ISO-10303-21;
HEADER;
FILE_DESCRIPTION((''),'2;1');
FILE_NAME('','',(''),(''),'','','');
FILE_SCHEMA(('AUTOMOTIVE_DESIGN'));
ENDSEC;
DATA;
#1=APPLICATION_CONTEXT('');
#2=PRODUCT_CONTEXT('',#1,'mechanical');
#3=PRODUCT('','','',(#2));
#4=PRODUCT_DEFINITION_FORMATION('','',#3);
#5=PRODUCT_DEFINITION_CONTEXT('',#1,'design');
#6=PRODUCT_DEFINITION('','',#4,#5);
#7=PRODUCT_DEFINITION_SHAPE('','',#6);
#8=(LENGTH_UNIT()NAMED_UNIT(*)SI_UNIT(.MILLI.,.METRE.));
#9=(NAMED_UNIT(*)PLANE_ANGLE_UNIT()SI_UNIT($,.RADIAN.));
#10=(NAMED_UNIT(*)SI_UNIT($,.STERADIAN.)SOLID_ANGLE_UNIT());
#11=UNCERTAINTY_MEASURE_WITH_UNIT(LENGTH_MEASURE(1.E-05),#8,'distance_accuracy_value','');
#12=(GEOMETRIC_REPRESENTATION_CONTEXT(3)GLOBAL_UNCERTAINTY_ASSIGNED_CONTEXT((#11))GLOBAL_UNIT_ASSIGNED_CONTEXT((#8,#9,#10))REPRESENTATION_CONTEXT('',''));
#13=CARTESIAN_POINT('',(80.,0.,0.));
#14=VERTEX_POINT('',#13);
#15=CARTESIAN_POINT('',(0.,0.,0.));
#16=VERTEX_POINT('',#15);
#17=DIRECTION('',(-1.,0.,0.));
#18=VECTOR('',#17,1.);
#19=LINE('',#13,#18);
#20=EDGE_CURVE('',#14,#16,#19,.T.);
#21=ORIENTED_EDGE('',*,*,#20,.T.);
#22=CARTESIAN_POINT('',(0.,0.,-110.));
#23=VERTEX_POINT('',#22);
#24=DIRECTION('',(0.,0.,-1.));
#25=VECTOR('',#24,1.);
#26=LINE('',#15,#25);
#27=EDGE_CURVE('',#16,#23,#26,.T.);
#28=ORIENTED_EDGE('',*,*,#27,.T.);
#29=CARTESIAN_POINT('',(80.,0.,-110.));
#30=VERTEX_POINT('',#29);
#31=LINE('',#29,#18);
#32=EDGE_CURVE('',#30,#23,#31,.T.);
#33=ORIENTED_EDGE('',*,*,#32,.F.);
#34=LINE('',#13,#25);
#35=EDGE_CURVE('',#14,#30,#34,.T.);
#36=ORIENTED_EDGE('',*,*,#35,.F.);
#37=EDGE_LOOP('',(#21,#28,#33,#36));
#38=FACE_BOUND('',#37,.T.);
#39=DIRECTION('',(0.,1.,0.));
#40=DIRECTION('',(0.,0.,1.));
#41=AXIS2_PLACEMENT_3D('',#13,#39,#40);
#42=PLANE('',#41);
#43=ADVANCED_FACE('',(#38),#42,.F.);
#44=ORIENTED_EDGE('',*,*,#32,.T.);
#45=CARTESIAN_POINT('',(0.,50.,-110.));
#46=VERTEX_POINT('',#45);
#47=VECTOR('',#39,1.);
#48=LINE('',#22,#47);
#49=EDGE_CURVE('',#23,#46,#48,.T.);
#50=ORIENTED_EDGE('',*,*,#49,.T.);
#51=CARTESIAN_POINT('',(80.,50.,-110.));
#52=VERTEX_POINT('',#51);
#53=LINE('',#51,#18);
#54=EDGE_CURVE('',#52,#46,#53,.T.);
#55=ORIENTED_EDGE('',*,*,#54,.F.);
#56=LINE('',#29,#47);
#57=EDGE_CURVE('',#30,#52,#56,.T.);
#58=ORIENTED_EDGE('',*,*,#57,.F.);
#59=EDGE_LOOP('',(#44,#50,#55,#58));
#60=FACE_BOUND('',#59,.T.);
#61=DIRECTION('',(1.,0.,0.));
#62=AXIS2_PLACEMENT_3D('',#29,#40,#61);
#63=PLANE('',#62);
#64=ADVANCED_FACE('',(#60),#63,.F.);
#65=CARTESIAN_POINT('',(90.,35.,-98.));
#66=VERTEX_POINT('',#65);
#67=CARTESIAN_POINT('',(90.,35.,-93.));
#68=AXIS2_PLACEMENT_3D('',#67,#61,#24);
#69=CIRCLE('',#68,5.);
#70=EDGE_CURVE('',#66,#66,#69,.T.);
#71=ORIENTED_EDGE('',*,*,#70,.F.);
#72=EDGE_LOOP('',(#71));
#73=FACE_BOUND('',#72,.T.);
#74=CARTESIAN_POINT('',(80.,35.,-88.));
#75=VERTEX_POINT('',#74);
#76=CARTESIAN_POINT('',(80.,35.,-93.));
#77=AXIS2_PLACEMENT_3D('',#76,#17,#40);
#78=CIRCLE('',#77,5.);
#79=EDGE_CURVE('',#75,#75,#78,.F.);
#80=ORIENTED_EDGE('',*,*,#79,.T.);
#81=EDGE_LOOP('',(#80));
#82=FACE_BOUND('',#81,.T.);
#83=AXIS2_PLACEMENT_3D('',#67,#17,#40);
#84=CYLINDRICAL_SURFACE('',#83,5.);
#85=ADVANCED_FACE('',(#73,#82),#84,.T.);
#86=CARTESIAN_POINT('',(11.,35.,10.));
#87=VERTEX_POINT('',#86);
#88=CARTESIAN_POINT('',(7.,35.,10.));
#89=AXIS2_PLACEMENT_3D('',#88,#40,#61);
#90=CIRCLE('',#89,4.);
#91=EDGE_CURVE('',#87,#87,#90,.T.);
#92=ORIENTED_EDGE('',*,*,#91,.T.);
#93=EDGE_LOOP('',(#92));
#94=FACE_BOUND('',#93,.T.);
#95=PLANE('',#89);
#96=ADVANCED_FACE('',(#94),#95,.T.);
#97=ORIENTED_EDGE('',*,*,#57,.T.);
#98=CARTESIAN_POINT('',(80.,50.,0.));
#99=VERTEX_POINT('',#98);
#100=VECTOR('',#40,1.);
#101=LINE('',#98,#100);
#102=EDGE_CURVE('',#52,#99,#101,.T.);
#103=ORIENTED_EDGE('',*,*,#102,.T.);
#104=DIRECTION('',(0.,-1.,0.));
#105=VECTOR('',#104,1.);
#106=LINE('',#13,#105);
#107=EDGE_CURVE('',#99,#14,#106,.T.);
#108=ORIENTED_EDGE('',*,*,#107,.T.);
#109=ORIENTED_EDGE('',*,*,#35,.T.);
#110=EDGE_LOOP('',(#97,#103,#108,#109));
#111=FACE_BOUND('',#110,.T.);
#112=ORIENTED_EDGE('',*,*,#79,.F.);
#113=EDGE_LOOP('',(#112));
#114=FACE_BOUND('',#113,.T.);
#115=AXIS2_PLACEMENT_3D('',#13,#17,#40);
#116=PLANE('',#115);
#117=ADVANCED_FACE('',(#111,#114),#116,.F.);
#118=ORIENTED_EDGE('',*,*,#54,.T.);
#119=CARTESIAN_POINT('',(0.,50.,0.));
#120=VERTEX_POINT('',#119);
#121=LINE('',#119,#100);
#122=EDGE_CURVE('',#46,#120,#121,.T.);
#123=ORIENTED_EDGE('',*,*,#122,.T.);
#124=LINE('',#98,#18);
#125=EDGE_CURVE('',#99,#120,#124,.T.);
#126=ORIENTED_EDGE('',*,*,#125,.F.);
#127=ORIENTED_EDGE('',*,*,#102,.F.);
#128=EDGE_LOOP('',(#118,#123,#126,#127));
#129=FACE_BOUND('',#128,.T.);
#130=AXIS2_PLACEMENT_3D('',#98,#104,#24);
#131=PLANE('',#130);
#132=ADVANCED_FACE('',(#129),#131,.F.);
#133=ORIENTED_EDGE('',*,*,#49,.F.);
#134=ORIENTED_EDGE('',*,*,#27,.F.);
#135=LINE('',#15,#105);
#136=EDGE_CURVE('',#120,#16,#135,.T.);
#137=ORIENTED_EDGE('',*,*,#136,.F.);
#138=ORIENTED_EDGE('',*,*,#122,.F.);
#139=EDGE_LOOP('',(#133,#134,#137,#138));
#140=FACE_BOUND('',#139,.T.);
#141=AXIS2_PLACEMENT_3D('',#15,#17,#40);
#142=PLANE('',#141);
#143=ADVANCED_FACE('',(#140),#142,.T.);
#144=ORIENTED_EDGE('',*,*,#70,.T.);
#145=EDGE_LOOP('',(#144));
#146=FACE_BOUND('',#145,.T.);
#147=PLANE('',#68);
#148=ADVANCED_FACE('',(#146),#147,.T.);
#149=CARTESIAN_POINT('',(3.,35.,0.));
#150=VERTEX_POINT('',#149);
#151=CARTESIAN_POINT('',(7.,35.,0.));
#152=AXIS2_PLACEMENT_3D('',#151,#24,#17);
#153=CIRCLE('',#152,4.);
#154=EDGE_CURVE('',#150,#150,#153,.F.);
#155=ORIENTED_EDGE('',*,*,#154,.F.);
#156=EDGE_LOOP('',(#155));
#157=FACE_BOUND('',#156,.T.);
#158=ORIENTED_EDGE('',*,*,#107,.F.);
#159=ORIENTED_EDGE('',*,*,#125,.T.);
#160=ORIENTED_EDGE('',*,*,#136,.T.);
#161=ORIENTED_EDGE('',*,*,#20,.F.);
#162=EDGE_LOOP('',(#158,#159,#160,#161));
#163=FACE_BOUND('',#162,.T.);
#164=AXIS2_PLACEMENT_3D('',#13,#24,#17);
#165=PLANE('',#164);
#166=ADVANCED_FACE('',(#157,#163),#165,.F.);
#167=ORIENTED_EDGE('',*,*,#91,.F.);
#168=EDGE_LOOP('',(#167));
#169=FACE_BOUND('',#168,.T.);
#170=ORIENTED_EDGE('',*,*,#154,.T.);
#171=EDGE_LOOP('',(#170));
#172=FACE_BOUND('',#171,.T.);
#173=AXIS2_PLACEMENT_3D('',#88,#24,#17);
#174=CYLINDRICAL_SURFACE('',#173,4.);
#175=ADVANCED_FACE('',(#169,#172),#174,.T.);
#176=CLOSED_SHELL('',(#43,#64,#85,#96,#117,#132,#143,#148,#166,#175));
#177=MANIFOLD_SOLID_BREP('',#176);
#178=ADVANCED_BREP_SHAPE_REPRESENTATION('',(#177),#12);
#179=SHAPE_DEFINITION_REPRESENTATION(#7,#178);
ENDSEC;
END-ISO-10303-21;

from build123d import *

# Parameters (mm, degrees)
SKETCH1_W           = 110
SKETCH1_H           = 50
BOSS_EXTRUDE1_DEPTH = 80
SKETCH2_R           = 4
BOSS_EXTRUDE2_DEPTH = 10
SKETCH3_R           = 5
BOSS_EXTRUDE3_DEPTH = 10


with BuildPart() as part:
    # Sketch1 → Boss-Extrude1 (new body)
    with BuildSketch(Plane(origin=(0, 0, 0), x_dir=(0, 0, -1), z_dir=(1, 0, 0))):
        with Locations((55, 25)):
            Rectangle(SKETCH1_W, SKETCH1_H)
    extrude(amount=BOSS_EXTRUDE1_DEPTH)

    # Sketch2 → Boss-Extrude2 (add)
    with BuildSketch(Plane.XY):
        with Locations((7, 35)):
            Circle(SKETCH2_R)
    extrude(amount=BOSS_EXTRUDE2_DEPTH)

    # Sketch3 → Boss-Extrude3 (add)
    with BuildSketch(Plane(origin=(80, 0, 0), x_dir=(0, 0, -1), z_dir=(1, 0, 0))):
        with Locations((93, 35)):
            Circle(SKETCH3_R)
    extrude(amount=BOSS_EXTRUDE3_DEPTH)


solid = part.part
